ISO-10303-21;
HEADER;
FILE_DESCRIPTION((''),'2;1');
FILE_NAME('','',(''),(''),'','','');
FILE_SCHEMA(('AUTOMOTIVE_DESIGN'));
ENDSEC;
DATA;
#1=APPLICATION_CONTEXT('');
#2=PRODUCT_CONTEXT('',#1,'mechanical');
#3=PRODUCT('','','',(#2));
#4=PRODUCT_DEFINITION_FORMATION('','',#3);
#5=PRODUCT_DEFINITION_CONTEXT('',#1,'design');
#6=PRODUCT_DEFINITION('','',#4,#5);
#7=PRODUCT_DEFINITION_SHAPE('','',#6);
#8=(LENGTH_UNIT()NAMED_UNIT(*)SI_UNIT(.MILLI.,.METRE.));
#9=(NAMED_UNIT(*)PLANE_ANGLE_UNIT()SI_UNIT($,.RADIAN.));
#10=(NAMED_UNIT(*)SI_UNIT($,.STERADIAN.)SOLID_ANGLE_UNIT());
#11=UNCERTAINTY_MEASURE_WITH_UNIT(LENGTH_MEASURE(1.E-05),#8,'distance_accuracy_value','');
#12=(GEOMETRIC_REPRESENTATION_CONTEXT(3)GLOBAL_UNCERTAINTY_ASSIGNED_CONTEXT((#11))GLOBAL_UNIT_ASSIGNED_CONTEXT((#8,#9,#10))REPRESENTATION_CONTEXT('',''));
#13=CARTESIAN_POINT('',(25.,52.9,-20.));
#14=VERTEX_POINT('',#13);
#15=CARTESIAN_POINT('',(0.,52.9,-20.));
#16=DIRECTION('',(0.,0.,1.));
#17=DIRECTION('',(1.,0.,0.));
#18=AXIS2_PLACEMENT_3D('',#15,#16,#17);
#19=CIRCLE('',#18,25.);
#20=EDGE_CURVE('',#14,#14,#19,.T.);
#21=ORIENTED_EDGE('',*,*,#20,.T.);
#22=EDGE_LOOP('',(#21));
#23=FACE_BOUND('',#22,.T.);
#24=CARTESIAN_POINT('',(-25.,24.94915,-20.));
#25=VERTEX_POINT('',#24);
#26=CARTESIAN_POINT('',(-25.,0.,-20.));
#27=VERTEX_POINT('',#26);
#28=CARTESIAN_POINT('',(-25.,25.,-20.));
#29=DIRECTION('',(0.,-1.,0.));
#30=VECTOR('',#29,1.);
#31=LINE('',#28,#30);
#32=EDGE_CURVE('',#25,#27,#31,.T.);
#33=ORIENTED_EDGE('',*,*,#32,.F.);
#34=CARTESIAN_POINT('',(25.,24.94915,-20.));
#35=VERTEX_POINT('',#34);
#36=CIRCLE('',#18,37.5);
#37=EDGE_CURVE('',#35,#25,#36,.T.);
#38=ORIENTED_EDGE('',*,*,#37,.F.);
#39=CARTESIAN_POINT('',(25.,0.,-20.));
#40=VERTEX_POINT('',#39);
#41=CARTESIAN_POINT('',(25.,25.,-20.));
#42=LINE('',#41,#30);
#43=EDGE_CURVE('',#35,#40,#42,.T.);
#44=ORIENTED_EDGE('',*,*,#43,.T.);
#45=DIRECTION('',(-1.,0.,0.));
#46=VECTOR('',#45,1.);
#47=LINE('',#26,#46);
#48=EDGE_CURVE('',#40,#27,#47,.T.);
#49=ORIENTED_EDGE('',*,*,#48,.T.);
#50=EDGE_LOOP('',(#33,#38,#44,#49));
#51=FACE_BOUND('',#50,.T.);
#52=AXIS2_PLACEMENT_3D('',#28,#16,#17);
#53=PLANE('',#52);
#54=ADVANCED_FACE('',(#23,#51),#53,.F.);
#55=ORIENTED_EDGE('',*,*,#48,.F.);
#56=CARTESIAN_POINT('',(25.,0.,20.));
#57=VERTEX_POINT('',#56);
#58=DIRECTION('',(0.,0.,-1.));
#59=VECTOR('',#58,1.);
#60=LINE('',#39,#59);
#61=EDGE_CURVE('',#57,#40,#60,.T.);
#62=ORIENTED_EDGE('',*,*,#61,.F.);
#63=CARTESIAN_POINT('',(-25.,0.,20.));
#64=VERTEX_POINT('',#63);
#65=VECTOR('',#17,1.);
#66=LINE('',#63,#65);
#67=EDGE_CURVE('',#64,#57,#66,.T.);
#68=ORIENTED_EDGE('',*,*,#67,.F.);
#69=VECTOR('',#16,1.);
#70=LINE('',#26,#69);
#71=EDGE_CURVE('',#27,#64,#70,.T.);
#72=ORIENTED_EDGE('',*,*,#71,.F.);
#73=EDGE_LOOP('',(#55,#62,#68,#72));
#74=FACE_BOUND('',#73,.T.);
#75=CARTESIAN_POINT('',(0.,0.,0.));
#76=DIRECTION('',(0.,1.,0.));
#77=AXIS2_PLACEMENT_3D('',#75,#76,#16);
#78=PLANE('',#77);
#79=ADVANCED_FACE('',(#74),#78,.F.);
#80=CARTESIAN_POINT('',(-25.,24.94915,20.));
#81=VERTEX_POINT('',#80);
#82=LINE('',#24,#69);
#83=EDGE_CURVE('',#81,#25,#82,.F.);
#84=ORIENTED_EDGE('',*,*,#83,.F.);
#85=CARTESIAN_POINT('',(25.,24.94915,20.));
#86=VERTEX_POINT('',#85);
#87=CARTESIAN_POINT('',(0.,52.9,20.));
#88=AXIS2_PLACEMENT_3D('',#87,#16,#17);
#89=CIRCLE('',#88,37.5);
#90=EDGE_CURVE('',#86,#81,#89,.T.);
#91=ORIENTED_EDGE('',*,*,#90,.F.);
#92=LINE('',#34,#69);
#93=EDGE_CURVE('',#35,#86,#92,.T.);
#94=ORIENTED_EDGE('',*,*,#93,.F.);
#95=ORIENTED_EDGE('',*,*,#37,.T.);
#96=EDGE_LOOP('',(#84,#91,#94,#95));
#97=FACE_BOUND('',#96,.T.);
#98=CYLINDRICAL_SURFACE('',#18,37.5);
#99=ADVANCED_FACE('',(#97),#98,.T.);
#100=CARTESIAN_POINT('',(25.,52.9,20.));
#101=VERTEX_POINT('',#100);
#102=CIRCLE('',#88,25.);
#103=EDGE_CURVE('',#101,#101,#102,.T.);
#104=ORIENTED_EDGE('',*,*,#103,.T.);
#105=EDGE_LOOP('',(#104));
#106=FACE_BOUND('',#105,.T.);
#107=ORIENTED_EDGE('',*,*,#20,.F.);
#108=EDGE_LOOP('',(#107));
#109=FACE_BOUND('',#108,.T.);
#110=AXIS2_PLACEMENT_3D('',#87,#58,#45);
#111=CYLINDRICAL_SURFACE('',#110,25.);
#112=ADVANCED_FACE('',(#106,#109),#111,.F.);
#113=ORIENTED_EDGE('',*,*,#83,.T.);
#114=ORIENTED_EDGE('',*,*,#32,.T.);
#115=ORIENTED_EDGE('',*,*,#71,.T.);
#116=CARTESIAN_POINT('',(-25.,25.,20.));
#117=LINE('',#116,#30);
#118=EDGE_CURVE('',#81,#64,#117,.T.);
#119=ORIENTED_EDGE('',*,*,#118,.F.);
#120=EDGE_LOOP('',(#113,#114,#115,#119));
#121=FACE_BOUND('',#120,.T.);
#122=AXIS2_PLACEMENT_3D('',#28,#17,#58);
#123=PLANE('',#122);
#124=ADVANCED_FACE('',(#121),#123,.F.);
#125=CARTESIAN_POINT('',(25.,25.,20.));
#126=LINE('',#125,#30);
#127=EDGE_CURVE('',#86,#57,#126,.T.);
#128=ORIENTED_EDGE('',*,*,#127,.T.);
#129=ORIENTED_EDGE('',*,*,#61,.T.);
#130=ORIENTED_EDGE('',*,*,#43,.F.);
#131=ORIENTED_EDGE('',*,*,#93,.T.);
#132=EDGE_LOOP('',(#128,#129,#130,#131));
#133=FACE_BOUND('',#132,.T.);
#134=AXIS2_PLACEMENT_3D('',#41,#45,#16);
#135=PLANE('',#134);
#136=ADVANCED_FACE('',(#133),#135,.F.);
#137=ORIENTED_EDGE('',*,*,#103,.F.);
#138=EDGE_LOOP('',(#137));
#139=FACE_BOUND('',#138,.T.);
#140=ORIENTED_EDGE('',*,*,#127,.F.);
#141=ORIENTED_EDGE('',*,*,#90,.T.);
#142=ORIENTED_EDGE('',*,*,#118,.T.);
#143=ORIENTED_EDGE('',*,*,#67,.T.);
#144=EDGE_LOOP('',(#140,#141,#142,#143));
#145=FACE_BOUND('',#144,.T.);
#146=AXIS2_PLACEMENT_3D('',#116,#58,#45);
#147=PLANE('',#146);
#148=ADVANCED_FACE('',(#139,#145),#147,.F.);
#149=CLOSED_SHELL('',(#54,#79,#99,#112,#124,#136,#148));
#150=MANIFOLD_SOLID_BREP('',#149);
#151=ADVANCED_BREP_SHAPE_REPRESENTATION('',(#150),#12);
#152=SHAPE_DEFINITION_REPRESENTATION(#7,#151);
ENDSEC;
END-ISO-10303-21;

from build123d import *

# Parameters (mm, degrees)
SKETCH1_W                = 50
SKETCH1_H                = 40
BOSS_EXTRUDE1_DEPTH      = 25
BOSS_EXTRUDE2_DEPTH      = 20
BOSS_EXTRUDE2_DEPTH_BACK = 20
SKETCH2_R                = 37.5
CUT_EXTRUDE1_DEPTH       = 20
CUT_EXTRUDE1_DEPTH_BACK  = 20
SKETCH3_R                = 25


with BuildPart() as part:
    # Sketch1 → Boss-Extrude1 (new body)
    with BuildSketch(Plane(origin=(0, 0, 0), x_dir=(1, 0, 0), z_dir=(0, 1, 0))):
        Rectangle(SKETCH1_W, SKETCH1_H)
    extrude(amount=BOSS_EXTRUDE1_DEPTH)

    # Sketch2 → Boss-Extrude2 (add, two sides: drawn at the far end of the back side and taken through both)
    with BuildSketch(Plane.XY.offset(-BOSS_EXTRUDE2_DEPTH_BACK)):
        with Locations((0, 52.9)):
            Circle(SKETCH2_R)
    extrude(amount=BOSS_EXTRUDE2_DEPTH + BOSS_EXTRUDE2_DEPTH_BACK)

    # Sketch3 → Cut-Extrude1 (cut, two sides: drawn at the far end of the back side and taken through both)
    with BuildSketch(Plane.XY.offset(-CUT_EXTRUDE1_DEPTH_BACK)):
        with Locations((0, 52.9)):
            Circle(SKETCH3_R)
    extrude(amount=CUT_EXTRUDE1_DEPTH + CUT_EXTRUDE1_DEPTH_BACK, mode=Mode.SUBTRACT)


solid = part.part
